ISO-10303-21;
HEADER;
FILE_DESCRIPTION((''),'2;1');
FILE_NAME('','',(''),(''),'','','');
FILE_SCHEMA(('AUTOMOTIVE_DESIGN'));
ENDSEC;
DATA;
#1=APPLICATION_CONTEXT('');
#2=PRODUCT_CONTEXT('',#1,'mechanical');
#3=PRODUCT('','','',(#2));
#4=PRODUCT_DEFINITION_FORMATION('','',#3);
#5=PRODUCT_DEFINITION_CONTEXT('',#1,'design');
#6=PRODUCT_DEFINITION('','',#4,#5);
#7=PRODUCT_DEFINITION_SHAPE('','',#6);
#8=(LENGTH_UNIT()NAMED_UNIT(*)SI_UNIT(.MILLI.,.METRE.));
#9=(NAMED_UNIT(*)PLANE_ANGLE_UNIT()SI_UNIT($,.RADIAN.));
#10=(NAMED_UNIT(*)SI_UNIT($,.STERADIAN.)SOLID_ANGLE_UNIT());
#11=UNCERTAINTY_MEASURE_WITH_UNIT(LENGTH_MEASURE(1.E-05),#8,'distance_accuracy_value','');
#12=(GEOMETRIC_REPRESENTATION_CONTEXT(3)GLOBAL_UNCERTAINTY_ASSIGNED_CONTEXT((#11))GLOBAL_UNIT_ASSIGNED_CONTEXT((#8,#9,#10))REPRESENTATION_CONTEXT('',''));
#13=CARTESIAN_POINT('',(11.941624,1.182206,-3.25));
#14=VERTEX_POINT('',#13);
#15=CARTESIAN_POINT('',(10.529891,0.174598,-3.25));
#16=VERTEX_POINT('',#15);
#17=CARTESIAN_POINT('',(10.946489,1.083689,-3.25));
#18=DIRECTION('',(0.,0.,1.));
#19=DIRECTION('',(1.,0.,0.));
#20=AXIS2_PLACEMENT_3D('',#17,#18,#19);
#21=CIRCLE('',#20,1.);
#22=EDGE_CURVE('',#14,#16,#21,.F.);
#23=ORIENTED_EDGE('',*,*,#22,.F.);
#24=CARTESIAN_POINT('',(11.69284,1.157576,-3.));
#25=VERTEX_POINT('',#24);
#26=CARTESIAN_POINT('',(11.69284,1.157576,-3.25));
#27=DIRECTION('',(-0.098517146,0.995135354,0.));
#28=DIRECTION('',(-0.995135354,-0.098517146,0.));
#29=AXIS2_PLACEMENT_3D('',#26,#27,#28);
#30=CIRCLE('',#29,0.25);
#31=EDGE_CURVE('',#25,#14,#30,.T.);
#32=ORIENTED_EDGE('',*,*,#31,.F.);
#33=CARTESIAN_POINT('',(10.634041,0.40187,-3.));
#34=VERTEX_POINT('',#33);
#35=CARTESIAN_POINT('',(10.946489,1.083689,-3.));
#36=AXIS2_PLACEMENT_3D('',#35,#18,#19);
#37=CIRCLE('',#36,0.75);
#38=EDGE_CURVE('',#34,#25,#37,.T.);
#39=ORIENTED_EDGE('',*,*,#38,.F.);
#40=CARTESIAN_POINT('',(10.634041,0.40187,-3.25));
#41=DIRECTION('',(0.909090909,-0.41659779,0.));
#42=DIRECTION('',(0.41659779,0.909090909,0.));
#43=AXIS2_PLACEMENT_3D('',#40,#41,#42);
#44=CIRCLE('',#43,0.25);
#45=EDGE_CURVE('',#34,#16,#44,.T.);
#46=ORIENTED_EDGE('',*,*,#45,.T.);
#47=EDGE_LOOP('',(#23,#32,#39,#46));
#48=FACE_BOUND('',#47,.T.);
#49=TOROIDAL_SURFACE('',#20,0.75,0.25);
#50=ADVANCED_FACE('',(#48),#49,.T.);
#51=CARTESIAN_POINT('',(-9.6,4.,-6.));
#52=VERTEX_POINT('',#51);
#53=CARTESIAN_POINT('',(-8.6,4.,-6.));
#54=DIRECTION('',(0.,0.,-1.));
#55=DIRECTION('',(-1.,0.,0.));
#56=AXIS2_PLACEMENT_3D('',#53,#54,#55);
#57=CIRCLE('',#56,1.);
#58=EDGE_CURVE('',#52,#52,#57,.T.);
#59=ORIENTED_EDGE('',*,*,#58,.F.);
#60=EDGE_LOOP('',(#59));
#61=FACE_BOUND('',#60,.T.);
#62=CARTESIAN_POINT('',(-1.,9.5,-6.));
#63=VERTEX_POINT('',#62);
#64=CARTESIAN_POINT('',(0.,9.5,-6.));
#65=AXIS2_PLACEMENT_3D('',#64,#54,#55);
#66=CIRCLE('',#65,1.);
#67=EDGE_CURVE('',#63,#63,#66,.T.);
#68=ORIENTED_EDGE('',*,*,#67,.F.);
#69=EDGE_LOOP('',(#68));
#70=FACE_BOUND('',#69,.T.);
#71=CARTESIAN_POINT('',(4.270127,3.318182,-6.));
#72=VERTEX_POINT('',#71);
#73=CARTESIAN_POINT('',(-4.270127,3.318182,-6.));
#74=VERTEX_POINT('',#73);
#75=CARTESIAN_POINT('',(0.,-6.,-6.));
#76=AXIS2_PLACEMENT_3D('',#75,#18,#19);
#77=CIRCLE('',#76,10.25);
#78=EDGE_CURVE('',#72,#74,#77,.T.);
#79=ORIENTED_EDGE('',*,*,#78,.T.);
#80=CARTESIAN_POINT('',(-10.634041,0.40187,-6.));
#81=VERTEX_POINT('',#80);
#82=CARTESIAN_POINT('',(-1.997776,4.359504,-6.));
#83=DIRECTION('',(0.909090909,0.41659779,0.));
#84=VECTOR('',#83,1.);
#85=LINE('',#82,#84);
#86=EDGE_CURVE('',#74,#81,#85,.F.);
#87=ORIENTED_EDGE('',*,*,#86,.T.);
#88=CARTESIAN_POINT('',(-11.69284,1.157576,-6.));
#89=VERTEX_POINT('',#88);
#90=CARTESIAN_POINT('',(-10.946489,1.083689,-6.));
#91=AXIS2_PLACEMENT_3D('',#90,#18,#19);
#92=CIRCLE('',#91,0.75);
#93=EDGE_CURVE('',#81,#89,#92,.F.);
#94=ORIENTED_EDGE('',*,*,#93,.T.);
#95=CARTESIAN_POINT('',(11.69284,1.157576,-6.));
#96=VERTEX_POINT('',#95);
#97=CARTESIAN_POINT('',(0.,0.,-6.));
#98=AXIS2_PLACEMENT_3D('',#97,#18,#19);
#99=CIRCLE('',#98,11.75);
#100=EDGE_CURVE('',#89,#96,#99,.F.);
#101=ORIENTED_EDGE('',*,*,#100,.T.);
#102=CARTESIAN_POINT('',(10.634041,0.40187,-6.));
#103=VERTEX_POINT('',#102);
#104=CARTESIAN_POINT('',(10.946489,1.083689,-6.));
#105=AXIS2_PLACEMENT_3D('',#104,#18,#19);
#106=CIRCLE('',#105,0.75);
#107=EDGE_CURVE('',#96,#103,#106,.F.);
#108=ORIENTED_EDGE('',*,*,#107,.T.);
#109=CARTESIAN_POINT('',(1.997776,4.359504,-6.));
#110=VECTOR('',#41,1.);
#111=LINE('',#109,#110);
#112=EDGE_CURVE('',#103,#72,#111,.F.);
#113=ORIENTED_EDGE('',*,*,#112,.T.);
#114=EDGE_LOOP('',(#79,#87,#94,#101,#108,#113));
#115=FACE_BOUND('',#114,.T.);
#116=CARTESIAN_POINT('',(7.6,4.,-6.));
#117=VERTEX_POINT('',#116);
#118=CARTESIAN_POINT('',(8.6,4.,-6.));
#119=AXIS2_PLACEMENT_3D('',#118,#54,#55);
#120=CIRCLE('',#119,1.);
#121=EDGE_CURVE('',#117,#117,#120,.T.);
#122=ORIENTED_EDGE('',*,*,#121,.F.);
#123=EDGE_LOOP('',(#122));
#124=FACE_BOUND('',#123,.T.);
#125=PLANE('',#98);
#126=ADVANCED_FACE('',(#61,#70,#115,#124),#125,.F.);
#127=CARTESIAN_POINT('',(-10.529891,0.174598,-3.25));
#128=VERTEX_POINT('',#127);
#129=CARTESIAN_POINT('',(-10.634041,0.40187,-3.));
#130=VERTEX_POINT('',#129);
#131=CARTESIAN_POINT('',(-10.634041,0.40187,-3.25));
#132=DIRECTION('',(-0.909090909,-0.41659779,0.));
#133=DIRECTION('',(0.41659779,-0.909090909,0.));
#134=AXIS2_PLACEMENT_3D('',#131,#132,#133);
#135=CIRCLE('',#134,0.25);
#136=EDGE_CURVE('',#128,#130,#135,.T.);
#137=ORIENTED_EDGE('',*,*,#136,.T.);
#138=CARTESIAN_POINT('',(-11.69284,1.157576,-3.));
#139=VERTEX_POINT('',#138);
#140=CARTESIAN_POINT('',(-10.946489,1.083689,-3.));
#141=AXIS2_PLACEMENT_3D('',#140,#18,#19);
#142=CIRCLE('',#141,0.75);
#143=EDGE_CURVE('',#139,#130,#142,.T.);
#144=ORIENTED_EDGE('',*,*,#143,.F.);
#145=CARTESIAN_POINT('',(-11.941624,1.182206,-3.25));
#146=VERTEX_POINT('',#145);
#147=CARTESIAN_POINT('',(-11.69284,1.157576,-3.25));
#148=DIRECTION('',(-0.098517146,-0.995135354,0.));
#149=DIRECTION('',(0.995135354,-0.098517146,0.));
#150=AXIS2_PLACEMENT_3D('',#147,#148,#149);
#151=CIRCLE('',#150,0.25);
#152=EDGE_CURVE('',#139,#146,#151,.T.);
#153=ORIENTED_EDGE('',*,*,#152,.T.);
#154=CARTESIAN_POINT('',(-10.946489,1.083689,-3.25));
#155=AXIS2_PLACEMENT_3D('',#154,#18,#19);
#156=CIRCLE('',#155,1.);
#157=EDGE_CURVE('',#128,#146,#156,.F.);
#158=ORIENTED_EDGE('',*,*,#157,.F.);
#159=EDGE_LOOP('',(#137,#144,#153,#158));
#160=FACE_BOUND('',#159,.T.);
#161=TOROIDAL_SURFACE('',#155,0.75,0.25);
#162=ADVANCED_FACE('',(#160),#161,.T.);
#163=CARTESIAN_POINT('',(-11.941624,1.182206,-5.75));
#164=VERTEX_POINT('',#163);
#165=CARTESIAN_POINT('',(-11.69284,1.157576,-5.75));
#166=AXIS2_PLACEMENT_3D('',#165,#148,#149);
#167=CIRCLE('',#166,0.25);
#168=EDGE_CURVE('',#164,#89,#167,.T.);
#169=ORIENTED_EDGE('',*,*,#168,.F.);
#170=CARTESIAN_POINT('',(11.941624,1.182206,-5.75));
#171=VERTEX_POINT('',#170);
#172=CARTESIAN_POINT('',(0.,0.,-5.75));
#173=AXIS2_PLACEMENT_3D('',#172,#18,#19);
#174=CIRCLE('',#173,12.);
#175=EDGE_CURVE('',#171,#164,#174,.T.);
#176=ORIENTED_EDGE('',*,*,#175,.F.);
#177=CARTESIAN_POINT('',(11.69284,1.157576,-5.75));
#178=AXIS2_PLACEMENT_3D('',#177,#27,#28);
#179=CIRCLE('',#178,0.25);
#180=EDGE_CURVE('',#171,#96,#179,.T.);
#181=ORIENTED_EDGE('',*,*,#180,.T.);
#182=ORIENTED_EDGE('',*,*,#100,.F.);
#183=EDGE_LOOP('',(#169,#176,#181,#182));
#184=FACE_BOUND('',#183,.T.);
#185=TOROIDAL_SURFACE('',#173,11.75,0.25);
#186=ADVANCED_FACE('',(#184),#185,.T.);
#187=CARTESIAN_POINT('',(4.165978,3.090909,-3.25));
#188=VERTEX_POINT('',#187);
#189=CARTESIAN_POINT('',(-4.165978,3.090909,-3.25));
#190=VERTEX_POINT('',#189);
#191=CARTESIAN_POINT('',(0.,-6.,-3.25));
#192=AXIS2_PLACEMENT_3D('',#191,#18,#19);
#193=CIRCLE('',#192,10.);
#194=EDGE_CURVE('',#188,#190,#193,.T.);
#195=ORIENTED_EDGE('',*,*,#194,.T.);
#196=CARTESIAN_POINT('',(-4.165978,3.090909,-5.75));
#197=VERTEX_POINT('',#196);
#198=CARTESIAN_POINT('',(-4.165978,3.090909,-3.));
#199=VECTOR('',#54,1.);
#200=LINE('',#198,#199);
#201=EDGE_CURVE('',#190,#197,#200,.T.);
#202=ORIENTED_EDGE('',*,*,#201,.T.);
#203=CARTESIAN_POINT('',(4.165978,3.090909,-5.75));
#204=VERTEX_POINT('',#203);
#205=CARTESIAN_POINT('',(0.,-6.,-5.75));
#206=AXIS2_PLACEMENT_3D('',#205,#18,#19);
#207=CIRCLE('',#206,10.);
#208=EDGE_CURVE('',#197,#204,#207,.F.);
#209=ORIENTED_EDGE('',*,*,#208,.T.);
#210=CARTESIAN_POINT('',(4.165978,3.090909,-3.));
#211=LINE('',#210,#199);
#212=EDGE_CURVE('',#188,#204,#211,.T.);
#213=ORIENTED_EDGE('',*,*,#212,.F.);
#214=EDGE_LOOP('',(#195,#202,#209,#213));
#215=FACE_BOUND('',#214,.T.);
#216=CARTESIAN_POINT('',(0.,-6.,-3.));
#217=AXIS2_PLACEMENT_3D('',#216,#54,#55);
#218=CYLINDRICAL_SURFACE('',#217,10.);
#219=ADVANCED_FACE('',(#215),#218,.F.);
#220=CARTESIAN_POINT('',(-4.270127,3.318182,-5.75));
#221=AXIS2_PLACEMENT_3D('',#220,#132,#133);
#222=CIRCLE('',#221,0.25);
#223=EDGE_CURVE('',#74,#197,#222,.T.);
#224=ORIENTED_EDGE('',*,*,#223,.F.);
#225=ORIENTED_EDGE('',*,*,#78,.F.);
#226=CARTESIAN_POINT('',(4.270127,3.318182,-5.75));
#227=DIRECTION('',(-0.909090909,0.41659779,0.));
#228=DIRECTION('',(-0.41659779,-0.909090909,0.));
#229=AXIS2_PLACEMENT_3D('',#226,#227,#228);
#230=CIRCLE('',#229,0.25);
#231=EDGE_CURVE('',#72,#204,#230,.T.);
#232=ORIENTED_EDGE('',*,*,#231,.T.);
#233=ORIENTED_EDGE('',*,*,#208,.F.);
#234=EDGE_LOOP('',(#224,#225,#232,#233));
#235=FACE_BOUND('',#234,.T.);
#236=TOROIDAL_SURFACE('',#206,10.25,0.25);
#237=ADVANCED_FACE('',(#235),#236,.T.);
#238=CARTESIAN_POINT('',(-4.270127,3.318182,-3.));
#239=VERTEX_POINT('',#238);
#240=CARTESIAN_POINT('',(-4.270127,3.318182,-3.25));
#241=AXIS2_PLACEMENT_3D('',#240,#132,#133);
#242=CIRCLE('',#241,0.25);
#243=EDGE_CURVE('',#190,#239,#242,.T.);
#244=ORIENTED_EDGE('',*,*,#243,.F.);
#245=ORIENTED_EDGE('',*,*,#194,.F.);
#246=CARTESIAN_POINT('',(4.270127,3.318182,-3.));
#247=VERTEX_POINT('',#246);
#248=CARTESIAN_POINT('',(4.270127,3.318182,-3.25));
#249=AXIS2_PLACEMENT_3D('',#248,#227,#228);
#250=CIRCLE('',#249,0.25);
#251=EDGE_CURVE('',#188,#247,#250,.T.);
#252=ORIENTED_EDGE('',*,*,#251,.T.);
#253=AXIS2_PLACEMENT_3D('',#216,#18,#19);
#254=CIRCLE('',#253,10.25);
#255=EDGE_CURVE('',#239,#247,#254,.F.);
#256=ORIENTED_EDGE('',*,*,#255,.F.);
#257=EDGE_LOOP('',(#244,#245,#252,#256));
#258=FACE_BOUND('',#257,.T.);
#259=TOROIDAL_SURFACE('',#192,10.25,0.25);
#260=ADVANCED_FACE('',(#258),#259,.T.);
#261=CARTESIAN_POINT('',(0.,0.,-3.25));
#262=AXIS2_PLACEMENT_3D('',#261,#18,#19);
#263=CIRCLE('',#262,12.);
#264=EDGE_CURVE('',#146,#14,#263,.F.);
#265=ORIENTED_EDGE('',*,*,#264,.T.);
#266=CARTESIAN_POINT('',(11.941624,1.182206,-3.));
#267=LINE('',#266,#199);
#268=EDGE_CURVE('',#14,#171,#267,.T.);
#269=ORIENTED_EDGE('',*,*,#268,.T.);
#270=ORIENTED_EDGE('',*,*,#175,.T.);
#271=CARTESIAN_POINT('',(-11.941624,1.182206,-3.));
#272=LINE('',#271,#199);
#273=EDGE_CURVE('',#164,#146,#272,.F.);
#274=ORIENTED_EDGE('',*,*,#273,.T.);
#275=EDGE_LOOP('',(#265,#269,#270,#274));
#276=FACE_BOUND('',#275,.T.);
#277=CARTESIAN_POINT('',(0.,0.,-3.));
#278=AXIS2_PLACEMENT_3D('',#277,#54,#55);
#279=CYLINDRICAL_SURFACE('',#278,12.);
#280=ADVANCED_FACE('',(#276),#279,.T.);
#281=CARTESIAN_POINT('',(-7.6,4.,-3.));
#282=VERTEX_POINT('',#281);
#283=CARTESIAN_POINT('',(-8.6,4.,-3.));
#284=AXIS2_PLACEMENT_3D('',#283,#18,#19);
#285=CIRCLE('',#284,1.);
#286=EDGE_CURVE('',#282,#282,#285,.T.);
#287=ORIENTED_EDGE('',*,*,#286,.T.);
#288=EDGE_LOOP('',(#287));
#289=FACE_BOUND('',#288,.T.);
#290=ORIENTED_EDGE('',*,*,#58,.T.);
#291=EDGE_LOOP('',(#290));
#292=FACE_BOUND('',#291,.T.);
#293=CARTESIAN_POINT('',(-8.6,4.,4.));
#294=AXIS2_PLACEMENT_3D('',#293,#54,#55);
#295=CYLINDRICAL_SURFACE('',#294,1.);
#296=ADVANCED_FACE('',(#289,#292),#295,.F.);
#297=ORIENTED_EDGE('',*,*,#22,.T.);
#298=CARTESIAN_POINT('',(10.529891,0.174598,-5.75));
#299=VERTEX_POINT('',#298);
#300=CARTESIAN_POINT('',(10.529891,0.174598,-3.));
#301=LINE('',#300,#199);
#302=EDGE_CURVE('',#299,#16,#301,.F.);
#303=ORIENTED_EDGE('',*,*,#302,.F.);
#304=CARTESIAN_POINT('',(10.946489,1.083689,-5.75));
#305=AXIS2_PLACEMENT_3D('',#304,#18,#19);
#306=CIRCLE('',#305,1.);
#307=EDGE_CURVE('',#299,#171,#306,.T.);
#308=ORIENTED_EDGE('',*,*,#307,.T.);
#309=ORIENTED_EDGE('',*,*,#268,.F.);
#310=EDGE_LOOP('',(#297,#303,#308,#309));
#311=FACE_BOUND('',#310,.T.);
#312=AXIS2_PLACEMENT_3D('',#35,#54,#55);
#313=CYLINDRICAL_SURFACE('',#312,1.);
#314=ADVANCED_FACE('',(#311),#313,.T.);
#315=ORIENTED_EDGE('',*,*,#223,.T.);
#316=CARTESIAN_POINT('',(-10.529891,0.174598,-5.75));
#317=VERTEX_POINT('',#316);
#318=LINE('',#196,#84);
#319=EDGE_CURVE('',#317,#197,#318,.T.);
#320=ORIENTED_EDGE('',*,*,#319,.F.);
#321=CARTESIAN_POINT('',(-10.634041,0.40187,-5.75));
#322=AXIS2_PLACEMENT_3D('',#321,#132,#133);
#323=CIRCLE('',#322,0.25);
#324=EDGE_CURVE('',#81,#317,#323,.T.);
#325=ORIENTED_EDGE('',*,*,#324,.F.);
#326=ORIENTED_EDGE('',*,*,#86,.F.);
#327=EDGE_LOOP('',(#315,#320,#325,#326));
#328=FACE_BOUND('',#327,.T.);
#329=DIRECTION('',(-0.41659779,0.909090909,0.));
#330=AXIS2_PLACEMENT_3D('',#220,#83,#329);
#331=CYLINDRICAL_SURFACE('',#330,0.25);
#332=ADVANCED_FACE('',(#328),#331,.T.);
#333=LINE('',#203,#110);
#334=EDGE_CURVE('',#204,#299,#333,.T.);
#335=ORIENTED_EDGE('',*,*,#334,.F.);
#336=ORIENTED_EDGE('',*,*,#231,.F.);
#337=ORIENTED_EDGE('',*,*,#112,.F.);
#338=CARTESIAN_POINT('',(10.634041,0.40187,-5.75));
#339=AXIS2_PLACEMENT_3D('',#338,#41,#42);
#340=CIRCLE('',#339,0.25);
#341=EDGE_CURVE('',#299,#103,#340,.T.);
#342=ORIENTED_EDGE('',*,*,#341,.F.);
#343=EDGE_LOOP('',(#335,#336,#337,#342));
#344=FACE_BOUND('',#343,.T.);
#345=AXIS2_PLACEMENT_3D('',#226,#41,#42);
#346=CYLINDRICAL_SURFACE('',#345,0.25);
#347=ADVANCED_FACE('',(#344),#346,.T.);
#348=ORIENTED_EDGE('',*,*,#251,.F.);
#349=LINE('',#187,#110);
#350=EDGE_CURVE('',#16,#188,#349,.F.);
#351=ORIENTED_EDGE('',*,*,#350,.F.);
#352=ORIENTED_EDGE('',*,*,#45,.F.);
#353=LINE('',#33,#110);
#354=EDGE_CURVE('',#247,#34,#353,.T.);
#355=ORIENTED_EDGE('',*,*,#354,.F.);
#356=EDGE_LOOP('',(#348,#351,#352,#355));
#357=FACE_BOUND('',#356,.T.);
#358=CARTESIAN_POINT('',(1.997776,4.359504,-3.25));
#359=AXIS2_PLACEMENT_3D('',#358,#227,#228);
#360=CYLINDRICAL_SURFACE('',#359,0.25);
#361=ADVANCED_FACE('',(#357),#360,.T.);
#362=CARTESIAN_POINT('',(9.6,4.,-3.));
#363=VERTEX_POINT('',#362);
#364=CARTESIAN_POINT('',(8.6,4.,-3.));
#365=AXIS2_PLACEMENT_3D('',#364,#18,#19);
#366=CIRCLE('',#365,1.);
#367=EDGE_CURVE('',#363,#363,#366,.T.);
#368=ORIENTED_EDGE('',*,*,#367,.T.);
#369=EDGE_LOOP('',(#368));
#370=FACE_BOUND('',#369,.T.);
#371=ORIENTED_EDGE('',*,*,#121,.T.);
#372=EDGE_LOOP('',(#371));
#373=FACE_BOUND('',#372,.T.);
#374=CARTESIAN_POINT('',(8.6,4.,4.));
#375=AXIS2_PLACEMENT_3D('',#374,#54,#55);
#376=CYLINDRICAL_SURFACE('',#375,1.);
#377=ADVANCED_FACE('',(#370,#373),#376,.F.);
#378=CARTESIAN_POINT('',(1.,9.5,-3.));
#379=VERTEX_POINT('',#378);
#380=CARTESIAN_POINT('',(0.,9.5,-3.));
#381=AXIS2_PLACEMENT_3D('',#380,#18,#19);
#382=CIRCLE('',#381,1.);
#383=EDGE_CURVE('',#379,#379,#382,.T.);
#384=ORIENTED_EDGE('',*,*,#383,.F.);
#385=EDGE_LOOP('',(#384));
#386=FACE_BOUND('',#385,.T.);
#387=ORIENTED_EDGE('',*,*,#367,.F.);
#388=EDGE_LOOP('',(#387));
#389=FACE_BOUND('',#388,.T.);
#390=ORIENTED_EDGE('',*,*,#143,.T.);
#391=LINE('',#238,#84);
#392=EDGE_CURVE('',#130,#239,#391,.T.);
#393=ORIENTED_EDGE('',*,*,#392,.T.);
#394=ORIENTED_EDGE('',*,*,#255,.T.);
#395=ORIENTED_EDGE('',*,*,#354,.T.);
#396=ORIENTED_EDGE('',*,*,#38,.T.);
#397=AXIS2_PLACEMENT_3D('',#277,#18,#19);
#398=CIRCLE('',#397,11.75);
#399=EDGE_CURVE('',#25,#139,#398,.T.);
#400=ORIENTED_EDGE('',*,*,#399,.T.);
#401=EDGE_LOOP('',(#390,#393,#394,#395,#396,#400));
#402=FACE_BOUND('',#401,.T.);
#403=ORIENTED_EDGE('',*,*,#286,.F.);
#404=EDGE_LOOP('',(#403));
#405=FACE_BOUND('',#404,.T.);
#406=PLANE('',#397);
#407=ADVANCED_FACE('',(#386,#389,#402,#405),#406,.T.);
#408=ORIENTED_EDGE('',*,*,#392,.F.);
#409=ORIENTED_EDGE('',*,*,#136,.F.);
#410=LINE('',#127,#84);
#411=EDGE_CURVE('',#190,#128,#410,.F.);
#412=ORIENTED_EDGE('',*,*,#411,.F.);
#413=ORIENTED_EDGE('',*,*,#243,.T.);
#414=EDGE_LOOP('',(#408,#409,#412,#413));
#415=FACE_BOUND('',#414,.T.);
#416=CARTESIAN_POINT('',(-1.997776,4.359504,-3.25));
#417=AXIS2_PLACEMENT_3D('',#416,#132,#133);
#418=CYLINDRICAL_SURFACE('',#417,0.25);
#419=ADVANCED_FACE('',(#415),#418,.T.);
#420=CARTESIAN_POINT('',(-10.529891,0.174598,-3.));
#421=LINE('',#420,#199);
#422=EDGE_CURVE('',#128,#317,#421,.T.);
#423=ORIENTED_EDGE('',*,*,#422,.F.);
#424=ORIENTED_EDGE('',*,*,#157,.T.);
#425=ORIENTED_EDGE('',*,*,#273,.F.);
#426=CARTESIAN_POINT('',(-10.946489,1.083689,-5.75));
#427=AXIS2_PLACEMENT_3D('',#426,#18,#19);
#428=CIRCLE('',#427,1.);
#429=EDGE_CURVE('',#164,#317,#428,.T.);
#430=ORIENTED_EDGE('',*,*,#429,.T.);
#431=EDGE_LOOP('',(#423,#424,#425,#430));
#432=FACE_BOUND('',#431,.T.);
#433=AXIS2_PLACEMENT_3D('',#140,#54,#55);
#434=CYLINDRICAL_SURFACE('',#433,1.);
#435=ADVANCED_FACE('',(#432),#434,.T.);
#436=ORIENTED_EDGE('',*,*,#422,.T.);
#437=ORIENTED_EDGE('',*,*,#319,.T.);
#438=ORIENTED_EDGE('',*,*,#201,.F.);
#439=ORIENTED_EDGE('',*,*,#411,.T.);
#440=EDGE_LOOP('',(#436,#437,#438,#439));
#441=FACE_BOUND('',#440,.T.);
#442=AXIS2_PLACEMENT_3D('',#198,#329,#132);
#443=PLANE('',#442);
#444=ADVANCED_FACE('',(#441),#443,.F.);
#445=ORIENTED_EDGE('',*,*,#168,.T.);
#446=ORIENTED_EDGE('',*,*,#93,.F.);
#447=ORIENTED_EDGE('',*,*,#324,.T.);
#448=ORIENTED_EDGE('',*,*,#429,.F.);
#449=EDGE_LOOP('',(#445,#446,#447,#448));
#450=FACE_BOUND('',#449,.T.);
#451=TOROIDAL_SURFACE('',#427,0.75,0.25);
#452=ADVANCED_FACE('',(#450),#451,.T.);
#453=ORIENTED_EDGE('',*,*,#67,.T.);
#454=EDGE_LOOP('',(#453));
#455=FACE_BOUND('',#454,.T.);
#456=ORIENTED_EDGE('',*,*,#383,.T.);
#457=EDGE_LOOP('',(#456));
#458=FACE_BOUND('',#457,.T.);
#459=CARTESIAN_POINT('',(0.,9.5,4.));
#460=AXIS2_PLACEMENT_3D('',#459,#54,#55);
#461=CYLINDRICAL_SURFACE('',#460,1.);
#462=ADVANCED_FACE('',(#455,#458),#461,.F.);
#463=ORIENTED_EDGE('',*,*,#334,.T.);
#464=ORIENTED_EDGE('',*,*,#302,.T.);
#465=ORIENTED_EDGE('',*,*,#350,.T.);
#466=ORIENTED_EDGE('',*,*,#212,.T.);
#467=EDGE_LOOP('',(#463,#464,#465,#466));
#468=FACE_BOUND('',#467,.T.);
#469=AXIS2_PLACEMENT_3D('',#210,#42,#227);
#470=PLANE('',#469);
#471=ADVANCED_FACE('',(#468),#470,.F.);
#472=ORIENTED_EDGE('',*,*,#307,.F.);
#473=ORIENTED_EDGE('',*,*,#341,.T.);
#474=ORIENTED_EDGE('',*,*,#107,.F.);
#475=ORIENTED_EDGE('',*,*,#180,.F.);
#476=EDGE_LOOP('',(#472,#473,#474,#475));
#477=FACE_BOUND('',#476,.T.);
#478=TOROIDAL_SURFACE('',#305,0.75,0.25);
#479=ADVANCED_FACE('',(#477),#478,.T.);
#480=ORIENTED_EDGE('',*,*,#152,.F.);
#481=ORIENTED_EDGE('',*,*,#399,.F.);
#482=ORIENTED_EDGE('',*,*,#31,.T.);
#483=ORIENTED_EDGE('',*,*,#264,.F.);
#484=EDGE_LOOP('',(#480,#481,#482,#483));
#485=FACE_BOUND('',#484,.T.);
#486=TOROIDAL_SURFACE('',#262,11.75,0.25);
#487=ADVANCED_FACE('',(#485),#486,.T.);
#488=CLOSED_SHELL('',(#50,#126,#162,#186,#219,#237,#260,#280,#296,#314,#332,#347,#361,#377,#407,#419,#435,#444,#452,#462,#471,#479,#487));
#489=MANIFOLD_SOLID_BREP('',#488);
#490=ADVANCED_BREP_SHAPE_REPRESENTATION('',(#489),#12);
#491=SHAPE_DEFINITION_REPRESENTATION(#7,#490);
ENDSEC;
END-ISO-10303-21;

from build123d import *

# Parameters (mm, degrees)
BOSS_EXTRUDE2_DEPTH = 3
FILLET2_R           = 1
FILLET3_R           = 0.25
SKETCH4_R           = 1
CUT_EXTRUDE1_DEPTH  = 10


with BuildPart() as part:
    # Sketch3 → Boss-Extrude2 (new body)
    with BuildSketch(Plane.XY.offset(-6)):
        with BuildLine():
            Line((4.165977905, 3.090909091), (11.989810158, -0.494421262))
            ThreePointArc((11.989810158, -0.494421262), (0, 12), (-11.989810158, -0.494421262))
            Line((-11.989810158, -0.494421262), (-4.165977905, 3.090909091))
            ThreePointArc((-4.165977905, 3.090909091), (0, 4), (4.165977905, 3.090909091))
        make_face()
    extrude(amount=BOSS_EXTRUDE2_DEPTH)

    # Fillet2
    fillet2_edges = [part.edges().sort_by_distance(p)[0] for p in [
        (11.989810158, -0.494421262, -4.5),
        (-11.989810158, -0.494421262, -4.5),
    ]]
    fillet(fillet2_edges, radius=FILLET2_R)

    # Fillet3
    fillet3_edges = [part.edges().sort_by_distance(p)[0] for p in [
        (0, 4, -3),
        (7.347934502, 1.632753394, -3),
        (-7.347934502, 1.632753394, -6),
        (-7.347934502, 1.632753394, -3),
        (0, 12, -6),
        (11.527432024, 0.26974446, -6),
        (-11.527432024, 0.26974446, -6),
        (0, 12, -3),
        (11.527432024, 0.26974446, -3),
        (-11.527432024, 0.26974446, -3),
        (7.347934502, 1.632753394, -6),
        (0, 4, -6),
    ]]
    fillet(fillet3_edges, radius=FILLET3_R)

    # Sketch4 → Cut-Extrude1 (cut)
    with BuildSketch(Plane(origin=(0, 0, -6), x_dir=(-1, 0, 0), z_dir=(0, 0, -1))):
        with Locations((0, 9.5)):
            Circle(SKETCH4_R)
        with Locations((8.6, 4)):
            Circle(SKETCH4_R)
        with Locations((-8.6, 4)):
            Circle(SKETCH4_R)
    extrude(amount=-CUT_EXTRUDE1_DEPTH, mode=Mode.SUBTRACT)


solid = part.part
